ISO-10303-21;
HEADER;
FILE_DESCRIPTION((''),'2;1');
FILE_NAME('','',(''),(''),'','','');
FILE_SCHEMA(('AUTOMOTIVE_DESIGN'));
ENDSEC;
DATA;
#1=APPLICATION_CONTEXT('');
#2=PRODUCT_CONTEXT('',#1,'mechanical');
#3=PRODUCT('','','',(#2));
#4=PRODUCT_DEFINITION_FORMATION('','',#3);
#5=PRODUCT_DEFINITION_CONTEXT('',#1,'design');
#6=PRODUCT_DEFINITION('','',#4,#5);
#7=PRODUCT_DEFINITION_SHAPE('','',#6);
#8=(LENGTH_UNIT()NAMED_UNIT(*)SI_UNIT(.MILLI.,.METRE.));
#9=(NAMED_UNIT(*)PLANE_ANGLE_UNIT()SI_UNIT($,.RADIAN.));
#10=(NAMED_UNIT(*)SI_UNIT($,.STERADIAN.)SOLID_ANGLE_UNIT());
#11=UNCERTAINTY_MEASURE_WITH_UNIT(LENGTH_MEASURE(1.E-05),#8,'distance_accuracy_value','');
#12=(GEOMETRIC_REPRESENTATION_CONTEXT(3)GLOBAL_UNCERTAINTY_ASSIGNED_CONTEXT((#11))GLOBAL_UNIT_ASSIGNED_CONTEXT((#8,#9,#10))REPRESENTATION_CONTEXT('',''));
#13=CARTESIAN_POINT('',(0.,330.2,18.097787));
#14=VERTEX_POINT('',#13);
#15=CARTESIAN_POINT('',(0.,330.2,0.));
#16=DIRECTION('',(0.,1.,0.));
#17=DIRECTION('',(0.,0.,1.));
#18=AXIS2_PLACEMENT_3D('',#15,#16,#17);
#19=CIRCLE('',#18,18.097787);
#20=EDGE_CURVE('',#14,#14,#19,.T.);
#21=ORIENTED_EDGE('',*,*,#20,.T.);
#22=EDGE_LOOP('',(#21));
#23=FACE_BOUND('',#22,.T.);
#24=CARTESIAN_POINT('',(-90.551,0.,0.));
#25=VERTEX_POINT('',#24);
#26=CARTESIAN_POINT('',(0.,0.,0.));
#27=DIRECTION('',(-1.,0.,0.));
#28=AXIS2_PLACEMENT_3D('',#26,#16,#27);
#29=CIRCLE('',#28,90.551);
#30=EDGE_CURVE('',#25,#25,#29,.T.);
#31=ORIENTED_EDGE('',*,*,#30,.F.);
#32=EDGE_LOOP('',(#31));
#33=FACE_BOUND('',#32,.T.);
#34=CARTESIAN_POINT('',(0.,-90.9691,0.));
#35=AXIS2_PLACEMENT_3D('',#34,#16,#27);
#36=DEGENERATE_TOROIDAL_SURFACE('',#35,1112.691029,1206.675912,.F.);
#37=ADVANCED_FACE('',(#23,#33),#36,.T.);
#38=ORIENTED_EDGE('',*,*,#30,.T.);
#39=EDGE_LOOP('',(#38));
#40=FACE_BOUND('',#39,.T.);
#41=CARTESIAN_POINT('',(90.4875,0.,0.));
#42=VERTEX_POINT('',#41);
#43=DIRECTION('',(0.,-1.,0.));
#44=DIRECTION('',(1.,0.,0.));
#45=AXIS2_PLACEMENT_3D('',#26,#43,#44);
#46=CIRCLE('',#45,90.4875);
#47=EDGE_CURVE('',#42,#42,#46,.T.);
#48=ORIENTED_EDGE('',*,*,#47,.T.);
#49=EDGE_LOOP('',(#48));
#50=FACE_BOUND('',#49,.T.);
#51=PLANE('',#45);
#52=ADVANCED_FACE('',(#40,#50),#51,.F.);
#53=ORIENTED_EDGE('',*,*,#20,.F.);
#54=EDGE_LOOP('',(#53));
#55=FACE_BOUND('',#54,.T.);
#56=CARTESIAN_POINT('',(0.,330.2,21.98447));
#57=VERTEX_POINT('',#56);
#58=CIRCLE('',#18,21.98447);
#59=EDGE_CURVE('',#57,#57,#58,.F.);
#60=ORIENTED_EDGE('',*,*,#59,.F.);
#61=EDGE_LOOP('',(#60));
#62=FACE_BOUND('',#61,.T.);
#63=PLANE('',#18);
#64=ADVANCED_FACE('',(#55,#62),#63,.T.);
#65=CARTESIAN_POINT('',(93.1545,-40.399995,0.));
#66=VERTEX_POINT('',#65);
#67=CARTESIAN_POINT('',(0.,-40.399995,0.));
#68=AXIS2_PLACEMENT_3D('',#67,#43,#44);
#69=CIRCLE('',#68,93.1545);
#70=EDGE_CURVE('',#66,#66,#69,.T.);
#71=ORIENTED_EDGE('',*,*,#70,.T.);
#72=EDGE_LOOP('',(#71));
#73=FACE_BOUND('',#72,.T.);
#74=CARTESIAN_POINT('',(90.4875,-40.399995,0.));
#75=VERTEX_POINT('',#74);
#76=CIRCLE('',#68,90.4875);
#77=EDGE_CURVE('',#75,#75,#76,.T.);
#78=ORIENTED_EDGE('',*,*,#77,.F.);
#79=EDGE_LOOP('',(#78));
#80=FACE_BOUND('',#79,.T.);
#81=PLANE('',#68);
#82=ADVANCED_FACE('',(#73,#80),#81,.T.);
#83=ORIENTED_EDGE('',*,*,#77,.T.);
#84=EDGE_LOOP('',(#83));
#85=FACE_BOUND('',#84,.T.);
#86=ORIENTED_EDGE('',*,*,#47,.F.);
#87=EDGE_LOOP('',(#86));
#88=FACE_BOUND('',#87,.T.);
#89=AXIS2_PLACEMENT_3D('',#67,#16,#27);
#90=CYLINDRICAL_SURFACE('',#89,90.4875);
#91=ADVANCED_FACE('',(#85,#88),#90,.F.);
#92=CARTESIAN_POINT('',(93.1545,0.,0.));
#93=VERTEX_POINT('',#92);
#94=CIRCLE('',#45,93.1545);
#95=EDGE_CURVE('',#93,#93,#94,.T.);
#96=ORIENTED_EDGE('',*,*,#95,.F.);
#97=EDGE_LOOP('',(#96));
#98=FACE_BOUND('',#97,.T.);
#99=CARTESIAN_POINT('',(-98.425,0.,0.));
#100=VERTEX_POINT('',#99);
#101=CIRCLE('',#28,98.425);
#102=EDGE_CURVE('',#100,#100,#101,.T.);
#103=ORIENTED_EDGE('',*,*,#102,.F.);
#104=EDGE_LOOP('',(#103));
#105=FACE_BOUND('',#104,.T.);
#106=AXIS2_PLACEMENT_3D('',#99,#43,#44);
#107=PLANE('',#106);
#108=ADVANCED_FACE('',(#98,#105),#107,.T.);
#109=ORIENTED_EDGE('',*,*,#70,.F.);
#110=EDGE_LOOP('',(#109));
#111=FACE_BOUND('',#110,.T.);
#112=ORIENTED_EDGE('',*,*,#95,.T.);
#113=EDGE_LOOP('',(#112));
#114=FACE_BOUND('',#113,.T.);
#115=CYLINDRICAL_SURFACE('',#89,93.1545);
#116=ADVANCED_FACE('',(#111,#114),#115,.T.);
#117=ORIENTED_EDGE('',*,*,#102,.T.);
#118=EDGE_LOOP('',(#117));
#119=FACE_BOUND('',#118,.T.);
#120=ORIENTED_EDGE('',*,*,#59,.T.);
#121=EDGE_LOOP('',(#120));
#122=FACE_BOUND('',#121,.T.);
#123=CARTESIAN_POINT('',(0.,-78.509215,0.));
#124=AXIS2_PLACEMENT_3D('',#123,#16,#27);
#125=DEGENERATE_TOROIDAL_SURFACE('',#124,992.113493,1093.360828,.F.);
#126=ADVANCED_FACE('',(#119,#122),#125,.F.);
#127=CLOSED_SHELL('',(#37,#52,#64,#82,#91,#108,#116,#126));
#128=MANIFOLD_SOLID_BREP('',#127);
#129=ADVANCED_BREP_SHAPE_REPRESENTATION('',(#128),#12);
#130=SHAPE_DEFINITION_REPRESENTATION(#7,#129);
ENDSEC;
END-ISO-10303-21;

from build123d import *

# Parameters (mm, degrees)
SKETCH4_R           = 93.1545
SKETCH4_R_2         = 90.4875
BOSS_EXTRUDE2_DEPTH = 40.3999954
SKETCH7_R           = 317.5
CUT_EXTRUDE2_DEPTH  = 50.8


with BuildPart() as part:
    # Sketch2 → Revolve1 (revolve)
    with BuildSketch(Plane.XY):
        with BuildLine():
            Line((-98.425, 0), (-90.551, 0))
            ThreePointArc((-90.551, 0), (-60.43106349, 191.610647557), (0, 375.92))
            Line((0, 375.92), (0, 381))
            ThreePointArc((0, 381), (-66.494117829, 194.964417939), (-98.425, 0))
        make_face()
    revolve(axis=Axis((0, 381, 0), (0, -1, 0)))

    # Sketch4 → Boss-Extrude2 (add)
    with BuildSketch(Plane(origin=(0, 0, 0), x_dir=(-1, 0, 0), z_dir=(0, -1, 0))):
        Circle(SKETCH4_R)
        Circle(SKETCH4_R_2, mode=Mode.SUBTRACT)
    extrude(amount=BOSS_EXTRUDE2_DEPTH)

    # Sketch7 → Cut-Extrude2 (cut)
    with BuildSketch(Plane(origin=(0, 381, 0), x_dir=(1, 0, 0), z_dir=(0, 1, 0))):
        Circle(SKETCH7_R)
    extrude(amount=-CUT_EXTRUDE2_DEPTH, mode=Mode.SUBTRACT)


solid = part.part
